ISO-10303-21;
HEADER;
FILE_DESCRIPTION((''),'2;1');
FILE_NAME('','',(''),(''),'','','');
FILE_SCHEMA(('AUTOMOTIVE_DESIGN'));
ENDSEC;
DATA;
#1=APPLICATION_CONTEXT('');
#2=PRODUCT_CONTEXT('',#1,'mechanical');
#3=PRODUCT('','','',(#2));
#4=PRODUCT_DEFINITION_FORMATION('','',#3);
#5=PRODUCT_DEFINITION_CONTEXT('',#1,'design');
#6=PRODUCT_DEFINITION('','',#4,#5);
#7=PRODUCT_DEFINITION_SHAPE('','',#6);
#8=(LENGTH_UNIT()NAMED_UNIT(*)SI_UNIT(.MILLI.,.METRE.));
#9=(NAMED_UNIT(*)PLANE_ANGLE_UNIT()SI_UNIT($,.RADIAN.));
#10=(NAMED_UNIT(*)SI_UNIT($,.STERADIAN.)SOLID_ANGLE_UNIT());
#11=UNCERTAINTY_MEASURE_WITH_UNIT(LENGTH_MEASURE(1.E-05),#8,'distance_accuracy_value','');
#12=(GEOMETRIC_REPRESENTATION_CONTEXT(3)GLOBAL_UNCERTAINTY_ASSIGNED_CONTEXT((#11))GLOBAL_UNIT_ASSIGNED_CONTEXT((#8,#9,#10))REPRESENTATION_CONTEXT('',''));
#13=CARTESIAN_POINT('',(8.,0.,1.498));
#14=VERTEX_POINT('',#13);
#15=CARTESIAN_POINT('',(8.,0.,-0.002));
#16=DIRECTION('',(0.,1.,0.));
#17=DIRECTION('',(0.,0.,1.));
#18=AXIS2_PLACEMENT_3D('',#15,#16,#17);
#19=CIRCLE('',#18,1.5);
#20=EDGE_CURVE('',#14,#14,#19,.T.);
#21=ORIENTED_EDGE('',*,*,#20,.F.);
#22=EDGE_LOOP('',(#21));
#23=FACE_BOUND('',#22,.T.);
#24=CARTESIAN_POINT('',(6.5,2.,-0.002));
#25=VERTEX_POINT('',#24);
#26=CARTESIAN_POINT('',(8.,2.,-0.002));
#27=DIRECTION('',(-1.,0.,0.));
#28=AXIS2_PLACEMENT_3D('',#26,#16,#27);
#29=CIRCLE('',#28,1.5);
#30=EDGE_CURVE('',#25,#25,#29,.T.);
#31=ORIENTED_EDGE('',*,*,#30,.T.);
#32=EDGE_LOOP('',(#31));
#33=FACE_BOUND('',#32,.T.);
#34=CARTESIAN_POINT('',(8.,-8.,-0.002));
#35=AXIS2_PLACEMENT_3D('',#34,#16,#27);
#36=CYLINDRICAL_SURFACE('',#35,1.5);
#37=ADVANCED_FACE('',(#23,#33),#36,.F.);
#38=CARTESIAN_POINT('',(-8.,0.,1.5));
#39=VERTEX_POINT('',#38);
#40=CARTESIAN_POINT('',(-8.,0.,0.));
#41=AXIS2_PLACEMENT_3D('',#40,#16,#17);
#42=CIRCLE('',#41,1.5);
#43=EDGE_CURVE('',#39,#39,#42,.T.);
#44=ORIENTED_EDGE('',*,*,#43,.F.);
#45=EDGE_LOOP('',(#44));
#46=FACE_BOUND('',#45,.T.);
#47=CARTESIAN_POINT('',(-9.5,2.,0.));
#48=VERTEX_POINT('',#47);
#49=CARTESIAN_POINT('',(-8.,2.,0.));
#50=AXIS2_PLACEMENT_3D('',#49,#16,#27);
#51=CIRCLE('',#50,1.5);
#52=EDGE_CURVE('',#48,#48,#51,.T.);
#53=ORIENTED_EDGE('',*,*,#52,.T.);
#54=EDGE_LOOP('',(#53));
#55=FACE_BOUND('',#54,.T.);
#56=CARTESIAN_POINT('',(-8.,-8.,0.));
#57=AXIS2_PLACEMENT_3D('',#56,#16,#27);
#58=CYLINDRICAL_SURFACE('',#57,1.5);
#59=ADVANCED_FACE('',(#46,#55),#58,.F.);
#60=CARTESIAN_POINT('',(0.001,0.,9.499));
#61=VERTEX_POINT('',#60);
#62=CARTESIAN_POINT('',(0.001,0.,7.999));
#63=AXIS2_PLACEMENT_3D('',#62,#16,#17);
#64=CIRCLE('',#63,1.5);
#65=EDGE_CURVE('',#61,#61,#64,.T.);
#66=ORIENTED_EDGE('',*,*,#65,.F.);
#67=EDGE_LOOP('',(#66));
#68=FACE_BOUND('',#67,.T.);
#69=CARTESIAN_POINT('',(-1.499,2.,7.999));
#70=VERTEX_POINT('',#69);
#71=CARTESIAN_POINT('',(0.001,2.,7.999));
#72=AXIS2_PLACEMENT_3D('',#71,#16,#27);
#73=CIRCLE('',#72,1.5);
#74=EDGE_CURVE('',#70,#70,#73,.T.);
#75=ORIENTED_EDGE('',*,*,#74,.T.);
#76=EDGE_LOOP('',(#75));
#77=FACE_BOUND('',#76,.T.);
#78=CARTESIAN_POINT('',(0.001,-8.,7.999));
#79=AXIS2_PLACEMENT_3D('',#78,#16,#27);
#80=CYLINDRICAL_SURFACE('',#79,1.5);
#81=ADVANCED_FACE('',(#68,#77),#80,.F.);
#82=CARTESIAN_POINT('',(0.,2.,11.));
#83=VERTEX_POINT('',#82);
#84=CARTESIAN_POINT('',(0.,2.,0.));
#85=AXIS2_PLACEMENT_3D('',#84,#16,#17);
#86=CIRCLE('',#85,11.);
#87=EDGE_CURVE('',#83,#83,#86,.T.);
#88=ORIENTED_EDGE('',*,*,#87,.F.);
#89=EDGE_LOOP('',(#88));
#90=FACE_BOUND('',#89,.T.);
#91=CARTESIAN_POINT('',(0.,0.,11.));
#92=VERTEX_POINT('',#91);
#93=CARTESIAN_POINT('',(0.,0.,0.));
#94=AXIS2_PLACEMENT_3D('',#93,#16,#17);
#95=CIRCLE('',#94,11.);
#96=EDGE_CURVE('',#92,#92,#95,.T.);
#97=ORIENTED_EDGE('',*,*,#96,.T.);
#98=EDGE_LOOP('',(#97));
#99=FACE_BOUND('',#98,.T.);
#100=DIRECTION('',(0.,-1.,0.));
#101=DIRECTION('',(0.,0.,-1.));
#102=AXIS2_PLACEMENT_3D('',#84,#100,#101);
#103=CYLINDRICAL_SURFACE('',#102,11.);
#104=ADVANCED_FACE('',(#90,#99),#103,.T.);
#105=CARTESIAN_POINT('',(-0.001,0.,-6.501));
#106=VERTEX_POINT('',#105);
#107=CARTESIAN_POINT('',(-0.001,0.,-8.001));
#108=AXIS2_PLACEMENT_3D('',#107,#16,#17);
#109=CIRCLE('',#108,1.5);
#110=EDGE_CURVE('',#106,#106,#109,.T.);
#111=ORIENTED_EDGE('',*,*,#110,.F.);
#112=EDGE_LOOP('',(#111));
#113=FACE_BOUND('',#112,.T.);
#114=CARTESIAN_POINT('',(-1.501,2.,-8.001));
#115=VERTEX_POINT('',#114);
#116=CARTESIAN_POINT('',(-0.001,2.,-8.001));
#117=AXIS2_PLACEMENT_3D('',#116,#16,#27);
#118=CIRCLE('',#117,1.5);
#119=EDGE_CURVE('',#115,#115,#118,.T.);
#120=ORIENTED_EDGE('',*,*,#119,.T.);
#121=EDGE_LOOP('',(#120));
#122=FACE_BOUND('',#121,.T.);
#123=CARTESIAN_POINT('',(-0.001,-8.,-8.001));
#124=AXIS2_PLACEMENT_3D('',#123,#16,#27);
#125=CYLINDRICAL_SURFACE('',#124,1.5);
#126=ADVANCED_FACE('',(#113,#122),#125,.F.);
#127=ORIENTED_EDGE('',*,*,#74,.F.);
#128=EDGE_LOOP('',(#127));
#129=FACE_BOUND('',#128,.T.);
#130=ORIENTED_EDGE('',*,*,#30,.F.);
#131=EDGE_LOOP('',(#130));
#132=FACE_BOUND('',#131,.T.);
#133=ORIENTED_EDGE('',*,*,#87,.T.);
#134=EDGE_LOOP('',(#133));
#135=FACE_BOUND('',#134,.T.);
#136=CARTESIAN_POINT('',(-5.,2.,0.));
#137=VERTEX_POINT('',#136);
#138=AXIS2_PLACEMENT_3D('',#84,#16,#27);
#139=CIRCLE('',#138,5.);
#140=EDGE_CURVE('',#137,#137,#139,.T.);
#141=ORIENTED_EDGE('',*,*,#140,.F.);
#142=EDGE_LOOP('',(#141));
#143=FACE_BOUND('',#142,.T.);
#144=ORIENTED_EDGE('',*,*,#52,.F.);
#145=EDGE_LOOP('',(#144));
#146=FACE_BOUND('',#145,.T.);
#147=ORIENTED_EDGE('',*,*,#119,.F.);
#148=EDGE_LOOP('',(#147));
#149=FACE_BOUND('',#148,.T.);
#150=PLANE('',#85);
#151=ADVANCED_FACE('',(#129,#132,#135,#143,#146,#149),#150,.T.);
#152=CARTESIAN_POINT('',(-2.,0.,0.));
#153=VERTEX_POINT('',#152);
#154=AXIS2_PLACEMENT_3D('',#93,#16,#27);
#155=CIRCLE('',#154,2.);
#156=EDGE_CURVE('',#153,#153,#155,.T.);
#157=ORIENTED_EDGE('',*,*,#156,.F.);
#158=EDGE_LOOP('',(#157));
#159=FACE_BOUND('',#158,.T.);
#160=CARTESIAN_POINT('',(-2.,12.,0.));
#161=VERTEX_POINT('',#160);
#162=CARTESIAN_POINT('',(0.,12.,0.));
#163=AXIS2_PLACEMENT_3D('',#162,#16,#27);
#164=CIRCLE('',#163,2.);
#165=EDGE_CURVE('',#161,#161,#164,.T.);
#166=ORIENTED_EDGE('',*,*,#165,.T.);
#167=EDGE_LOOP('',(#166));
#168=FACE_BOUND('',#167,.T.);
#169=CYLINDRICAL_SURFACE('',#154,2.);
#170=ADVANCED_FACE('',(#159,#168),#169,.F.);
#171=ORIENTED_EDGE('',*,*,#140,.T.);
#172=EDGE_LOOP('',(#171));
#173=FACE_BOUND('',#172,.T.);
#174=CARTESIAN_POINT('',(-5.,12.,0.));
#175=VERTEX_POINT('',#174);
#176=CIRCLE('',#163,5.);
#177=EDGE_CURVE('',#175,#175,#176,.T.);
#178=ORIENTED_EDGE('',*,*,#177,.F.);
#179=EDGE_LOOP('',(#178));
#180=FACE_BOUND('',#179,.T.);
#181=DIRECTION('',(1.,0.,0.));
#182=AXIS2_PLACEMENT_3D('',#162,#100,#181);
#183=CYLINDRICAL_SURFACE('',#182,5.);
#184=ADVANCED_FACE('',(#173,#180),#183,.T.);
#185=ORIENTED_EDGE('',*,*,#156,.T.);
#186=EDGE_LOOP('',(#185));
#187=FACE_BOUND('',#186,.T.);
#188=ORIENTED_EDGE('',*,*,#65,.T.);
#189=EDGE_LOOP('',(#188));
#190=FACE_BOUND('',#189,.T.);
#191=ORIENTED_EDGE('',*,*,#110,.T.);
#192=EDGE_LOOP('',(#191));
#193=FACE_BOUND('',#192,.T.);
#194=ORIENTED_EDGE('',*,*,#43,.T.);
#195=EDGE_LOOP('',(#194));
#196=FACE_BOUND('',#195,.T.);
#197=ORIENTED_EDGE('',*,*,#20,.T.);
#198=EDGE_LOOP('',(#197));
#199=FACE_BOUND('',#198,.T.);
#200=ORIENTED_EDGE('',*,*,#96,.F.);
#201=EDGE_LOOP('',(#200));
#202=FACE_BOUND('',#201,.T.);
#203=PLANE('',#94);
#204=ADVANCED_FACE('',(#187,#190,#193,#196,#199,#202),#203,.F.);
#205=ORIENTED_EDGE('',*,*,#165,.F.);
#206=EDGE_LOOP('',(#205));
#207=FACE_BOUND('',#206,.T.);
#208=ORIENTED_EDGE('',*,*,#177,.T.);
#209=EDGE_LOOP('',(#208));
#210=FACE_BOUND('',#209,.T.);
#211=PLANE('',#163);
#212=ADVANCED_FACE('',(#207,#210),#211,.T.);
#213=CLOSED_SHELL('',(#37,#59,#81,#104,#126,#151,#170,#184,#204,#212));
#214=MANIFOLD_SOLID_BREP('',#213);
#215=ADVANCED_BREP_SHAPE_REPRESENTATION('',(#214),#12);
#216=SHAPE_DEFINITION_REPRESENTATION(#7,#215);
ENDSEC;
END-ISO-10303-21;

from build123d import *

# Parameters (mm, degrees)
SKETCH_1_R          = 11
EXTRUDE_1_DEPTH     = 2
SKETCH_2_R          = 5
EXTRUDE_2_DEPTH     = 10
SKETCH_3_R          = 1.5
CUT_EXTRUDE_1_DEPTH = 10
SKETCH_5_R          = 2
CUT_EXTRUDE_2_DEPTH = 20.646882704


with BuildPart() as part:
    # 草图1 → 凸台-拉伸1 (new body)
    with BuildSketch(Plane(origin=(0, 0, 0), x_dir=(0, 0, -1), z_dir=(0, 1, 0))):
        with Locations(Location((0, 0, 0), (0, 0, 180))):
            Circle(SKETCH_1_R)
    extrude(amount=EXTRUDE_1_DEPTH)

    # 草图2 → 凸台-拉伸2 (add)
    with BuildSketch(Plane(origin=(0, 2, 0), x_dir=(0, 0, -1), z_dir=(0, 1, 0))):
        with Locations(Location((0, 0, 0), (0, 0, 90))):
            Circle(SKETCH_2_R)
    extrude(amount=EXTRUDE_2_DEPTH)

    # 草图3 → 切除-拉伸1 (cut)
    with BuildSketch(Plane(origin=(0, 2, 0), x_dir=(0, 0, -1), z_dir=(0, 1, 0))):
        with Locations(Location((0, 8, 0), (0, 0, 90))):
            Circle(SKETCH_3_R)
        with Locations(Location((8.001, 0.001, 0), (0, 0, 90))):
            Circle(SKETCH_3_R)
        with Locations(Location((0.002, -8, 0), (0, 0, 90))):
            Circle(SKETCH_3_R)
        with Locations(Location((-7.999, -0.001, 0), (0, 0, 90))):
            Circle(SKETCH_3_R)
    extrude(amount=-CUT_EXTRUDE_1_DEPTH, mode=Mode.SUBTRACT)

    # 草图5 → 切除-拉伸2 (cut, through all)
    with BuildSketch(Plane(origin=(0, 12, 0), x_dir=(1, 0, 0), z_dir=(0, 1, 0))):
        with Locations(Location((0, 0, 0), (0, 0, 180))):
            Circle(SKETCH_5_R)
    extrude(amount=-CUT_EXTRUDE_2_DEPTH, mode=Mode.SUBTRACT)


solid = part.part
